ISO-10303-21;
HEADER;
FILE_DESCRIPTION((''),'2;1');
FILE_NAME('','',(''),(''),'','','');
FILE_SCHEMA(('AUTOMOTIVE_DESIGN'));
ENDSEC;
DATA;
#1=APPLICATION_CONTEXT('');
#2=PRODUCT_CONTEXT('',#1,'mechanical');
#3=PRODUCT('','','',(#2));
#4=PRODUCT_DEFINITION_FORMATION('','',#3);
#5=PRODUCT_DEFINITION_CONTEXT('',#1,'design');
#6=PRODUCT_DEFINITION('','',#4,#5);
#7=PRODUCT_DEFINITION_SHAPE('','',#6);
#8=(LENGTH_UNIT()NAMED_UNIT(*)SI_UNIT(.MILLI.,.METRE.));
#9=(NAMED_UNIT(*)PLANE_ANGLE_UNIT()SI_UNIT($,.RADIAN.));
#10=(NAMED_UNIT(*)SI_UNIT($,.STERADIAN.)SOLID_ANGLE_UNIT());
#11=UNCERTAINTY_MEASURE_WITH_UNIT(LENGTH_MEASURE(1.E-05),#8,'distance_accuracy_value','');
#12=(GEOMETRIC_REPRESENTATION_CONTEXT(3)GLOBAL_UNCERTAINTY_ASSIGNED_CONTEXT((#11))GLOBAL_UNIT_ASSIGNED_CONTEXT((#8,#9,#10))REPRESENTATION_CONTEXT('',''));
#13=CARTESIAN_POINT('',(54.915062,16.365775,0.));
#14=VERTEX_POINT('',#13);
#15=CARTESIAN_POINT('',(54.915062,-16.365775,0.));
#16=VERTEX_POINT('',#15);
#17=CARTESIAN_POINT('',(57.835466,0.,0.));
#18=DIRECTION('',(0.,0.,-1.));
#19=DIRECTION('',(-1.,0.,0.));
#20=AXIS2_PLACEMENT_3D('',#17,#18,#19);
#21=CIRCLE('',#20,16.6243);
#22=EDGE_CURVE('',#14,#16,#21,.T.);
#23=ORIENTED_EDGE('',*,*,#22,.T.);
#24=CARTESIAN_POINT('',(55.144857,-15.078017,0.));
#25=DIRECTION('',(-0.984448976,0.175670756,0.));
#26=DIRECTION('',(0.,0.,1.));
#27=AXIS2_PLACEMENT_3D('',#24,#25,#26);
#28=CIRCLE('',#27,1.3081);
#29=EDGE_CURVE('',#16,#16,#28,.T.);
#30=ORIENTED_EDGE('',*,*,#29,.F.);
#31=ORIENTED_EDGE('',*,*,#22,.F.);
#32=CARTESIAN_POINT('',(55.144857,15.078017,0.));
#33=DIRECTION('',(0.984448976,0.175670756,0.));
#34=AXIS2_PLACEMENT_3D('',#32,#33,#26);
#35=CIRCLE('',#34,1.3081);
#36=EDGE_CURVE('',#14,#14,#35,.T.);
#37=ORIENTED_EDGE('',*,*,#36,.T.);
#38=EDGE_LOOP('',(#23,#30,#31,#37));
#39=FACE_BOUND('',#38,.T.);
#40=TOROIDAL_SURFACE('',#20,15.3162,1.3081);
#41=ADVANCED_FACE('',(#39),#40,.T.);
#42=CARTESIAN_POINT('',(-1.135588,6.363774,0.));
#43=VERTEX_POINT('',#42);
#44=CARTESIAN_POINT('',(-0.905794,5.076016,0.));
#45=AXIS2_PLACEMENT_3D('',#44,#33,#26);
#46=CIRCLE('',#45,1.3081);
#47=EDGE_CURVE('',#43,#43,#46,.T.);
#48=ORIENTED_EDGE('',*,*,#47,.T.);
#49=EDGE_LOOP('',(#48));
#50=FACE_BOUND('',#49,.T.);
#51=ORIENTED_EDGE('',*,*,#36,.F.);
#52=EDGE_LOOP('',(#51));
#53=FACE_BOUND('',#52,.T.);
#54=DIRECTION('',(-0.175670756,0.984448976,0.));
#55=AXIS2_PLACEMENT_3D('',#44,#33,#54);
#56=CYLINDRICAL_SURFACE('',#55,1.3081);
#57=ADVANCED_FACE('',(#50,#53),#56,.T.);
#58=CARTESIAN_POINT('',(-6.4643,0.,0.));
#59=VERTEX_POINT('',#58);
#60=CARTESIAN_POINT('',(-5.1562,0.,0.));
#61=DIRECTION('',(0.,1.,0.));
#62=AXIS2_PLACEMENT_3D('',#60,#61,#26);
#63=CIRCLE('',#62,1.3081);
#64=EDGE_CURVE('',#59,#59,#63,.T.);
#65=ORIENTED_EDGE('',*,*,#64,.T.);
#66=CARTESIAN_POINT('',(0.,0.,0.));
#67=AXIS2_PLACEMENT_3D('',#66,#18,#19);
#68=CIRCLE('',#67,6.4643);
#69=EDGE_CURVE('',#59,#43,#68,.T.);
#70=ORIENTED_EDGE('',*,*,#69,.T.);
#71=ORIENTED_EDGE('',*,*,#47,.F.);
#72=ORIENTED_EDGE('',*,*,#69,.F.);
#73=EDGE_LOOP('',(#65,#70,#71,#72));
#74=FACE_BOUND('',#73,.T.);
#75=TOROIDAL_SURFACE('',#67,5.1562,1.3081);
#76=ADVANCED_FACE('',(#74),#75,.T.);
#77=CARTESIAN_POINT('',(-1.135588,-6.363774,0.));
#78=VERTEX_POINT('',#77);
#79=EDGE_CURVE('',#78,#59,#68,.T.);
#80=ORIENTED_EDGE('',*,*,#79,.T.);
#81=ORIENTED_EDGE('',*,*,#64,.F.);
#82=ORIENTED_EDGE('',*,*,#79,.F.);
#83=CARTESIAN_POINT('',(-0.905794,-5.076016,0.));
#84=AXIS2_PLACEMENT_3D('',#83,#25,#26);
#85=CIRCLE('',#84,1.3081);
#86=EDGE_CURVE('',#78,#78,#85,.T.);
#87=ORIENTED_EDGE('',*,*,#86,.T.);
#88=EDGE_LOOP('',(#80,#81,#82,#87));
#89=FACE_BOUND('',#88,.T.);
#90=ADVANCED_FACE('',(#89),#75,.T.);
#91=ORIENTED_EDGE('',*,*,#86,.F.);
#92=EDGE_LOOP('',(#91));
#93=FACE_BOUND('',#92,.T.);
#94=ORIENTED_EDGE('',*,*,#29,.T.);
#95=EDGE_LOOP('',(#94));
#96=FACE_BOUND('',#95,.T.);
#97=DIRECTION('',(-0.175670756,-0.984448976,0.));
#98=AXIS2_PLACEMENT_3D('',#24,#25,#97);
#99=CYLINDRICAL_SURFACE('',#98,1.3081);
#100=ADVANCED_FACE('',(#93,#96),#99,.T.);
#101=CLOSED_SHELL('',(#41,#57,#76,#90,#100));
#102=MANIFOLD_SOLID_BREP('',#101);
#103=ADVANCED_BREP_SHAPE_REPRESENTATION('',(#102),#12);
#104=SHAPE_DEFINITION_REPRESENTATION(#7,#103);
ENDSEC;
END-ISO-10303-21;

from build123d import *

# Parameters (mm, degrees)
SKETCH2_R = 1.3081


with BuildPart() as part:
    # Sweep1: sweep along a path in Sketch1
    with BuildLine(Plane.XY) as sweep1_path:
        Line((-0.905793553, 5.076015808), (55.14485729, 15.078017399))
        ThreePointArc((55.14485729, 15.078017399), (73.151665726, 0), (55.14485729, -15.078017399))
        Line((55.14485729, -15.078017399), (-0.905793553, -5.076015808))
        ThreePointArc((-0.905793553, -5.076015808), (-5.1562, 0), (-0.905793553, 5.076015808))
    # Sketch2 → Sweep1 (sweep)
    with BuildSketch(Plane(origin=(0, 0, 0), x_dir=(1, 0, 0), z_dir=(0, 1, 0))):
        with Locations((-5.1562, 0)):
            Circle(SKETCH2_R)
    sweep(path=sweep1_path.line)


solid = part.part
